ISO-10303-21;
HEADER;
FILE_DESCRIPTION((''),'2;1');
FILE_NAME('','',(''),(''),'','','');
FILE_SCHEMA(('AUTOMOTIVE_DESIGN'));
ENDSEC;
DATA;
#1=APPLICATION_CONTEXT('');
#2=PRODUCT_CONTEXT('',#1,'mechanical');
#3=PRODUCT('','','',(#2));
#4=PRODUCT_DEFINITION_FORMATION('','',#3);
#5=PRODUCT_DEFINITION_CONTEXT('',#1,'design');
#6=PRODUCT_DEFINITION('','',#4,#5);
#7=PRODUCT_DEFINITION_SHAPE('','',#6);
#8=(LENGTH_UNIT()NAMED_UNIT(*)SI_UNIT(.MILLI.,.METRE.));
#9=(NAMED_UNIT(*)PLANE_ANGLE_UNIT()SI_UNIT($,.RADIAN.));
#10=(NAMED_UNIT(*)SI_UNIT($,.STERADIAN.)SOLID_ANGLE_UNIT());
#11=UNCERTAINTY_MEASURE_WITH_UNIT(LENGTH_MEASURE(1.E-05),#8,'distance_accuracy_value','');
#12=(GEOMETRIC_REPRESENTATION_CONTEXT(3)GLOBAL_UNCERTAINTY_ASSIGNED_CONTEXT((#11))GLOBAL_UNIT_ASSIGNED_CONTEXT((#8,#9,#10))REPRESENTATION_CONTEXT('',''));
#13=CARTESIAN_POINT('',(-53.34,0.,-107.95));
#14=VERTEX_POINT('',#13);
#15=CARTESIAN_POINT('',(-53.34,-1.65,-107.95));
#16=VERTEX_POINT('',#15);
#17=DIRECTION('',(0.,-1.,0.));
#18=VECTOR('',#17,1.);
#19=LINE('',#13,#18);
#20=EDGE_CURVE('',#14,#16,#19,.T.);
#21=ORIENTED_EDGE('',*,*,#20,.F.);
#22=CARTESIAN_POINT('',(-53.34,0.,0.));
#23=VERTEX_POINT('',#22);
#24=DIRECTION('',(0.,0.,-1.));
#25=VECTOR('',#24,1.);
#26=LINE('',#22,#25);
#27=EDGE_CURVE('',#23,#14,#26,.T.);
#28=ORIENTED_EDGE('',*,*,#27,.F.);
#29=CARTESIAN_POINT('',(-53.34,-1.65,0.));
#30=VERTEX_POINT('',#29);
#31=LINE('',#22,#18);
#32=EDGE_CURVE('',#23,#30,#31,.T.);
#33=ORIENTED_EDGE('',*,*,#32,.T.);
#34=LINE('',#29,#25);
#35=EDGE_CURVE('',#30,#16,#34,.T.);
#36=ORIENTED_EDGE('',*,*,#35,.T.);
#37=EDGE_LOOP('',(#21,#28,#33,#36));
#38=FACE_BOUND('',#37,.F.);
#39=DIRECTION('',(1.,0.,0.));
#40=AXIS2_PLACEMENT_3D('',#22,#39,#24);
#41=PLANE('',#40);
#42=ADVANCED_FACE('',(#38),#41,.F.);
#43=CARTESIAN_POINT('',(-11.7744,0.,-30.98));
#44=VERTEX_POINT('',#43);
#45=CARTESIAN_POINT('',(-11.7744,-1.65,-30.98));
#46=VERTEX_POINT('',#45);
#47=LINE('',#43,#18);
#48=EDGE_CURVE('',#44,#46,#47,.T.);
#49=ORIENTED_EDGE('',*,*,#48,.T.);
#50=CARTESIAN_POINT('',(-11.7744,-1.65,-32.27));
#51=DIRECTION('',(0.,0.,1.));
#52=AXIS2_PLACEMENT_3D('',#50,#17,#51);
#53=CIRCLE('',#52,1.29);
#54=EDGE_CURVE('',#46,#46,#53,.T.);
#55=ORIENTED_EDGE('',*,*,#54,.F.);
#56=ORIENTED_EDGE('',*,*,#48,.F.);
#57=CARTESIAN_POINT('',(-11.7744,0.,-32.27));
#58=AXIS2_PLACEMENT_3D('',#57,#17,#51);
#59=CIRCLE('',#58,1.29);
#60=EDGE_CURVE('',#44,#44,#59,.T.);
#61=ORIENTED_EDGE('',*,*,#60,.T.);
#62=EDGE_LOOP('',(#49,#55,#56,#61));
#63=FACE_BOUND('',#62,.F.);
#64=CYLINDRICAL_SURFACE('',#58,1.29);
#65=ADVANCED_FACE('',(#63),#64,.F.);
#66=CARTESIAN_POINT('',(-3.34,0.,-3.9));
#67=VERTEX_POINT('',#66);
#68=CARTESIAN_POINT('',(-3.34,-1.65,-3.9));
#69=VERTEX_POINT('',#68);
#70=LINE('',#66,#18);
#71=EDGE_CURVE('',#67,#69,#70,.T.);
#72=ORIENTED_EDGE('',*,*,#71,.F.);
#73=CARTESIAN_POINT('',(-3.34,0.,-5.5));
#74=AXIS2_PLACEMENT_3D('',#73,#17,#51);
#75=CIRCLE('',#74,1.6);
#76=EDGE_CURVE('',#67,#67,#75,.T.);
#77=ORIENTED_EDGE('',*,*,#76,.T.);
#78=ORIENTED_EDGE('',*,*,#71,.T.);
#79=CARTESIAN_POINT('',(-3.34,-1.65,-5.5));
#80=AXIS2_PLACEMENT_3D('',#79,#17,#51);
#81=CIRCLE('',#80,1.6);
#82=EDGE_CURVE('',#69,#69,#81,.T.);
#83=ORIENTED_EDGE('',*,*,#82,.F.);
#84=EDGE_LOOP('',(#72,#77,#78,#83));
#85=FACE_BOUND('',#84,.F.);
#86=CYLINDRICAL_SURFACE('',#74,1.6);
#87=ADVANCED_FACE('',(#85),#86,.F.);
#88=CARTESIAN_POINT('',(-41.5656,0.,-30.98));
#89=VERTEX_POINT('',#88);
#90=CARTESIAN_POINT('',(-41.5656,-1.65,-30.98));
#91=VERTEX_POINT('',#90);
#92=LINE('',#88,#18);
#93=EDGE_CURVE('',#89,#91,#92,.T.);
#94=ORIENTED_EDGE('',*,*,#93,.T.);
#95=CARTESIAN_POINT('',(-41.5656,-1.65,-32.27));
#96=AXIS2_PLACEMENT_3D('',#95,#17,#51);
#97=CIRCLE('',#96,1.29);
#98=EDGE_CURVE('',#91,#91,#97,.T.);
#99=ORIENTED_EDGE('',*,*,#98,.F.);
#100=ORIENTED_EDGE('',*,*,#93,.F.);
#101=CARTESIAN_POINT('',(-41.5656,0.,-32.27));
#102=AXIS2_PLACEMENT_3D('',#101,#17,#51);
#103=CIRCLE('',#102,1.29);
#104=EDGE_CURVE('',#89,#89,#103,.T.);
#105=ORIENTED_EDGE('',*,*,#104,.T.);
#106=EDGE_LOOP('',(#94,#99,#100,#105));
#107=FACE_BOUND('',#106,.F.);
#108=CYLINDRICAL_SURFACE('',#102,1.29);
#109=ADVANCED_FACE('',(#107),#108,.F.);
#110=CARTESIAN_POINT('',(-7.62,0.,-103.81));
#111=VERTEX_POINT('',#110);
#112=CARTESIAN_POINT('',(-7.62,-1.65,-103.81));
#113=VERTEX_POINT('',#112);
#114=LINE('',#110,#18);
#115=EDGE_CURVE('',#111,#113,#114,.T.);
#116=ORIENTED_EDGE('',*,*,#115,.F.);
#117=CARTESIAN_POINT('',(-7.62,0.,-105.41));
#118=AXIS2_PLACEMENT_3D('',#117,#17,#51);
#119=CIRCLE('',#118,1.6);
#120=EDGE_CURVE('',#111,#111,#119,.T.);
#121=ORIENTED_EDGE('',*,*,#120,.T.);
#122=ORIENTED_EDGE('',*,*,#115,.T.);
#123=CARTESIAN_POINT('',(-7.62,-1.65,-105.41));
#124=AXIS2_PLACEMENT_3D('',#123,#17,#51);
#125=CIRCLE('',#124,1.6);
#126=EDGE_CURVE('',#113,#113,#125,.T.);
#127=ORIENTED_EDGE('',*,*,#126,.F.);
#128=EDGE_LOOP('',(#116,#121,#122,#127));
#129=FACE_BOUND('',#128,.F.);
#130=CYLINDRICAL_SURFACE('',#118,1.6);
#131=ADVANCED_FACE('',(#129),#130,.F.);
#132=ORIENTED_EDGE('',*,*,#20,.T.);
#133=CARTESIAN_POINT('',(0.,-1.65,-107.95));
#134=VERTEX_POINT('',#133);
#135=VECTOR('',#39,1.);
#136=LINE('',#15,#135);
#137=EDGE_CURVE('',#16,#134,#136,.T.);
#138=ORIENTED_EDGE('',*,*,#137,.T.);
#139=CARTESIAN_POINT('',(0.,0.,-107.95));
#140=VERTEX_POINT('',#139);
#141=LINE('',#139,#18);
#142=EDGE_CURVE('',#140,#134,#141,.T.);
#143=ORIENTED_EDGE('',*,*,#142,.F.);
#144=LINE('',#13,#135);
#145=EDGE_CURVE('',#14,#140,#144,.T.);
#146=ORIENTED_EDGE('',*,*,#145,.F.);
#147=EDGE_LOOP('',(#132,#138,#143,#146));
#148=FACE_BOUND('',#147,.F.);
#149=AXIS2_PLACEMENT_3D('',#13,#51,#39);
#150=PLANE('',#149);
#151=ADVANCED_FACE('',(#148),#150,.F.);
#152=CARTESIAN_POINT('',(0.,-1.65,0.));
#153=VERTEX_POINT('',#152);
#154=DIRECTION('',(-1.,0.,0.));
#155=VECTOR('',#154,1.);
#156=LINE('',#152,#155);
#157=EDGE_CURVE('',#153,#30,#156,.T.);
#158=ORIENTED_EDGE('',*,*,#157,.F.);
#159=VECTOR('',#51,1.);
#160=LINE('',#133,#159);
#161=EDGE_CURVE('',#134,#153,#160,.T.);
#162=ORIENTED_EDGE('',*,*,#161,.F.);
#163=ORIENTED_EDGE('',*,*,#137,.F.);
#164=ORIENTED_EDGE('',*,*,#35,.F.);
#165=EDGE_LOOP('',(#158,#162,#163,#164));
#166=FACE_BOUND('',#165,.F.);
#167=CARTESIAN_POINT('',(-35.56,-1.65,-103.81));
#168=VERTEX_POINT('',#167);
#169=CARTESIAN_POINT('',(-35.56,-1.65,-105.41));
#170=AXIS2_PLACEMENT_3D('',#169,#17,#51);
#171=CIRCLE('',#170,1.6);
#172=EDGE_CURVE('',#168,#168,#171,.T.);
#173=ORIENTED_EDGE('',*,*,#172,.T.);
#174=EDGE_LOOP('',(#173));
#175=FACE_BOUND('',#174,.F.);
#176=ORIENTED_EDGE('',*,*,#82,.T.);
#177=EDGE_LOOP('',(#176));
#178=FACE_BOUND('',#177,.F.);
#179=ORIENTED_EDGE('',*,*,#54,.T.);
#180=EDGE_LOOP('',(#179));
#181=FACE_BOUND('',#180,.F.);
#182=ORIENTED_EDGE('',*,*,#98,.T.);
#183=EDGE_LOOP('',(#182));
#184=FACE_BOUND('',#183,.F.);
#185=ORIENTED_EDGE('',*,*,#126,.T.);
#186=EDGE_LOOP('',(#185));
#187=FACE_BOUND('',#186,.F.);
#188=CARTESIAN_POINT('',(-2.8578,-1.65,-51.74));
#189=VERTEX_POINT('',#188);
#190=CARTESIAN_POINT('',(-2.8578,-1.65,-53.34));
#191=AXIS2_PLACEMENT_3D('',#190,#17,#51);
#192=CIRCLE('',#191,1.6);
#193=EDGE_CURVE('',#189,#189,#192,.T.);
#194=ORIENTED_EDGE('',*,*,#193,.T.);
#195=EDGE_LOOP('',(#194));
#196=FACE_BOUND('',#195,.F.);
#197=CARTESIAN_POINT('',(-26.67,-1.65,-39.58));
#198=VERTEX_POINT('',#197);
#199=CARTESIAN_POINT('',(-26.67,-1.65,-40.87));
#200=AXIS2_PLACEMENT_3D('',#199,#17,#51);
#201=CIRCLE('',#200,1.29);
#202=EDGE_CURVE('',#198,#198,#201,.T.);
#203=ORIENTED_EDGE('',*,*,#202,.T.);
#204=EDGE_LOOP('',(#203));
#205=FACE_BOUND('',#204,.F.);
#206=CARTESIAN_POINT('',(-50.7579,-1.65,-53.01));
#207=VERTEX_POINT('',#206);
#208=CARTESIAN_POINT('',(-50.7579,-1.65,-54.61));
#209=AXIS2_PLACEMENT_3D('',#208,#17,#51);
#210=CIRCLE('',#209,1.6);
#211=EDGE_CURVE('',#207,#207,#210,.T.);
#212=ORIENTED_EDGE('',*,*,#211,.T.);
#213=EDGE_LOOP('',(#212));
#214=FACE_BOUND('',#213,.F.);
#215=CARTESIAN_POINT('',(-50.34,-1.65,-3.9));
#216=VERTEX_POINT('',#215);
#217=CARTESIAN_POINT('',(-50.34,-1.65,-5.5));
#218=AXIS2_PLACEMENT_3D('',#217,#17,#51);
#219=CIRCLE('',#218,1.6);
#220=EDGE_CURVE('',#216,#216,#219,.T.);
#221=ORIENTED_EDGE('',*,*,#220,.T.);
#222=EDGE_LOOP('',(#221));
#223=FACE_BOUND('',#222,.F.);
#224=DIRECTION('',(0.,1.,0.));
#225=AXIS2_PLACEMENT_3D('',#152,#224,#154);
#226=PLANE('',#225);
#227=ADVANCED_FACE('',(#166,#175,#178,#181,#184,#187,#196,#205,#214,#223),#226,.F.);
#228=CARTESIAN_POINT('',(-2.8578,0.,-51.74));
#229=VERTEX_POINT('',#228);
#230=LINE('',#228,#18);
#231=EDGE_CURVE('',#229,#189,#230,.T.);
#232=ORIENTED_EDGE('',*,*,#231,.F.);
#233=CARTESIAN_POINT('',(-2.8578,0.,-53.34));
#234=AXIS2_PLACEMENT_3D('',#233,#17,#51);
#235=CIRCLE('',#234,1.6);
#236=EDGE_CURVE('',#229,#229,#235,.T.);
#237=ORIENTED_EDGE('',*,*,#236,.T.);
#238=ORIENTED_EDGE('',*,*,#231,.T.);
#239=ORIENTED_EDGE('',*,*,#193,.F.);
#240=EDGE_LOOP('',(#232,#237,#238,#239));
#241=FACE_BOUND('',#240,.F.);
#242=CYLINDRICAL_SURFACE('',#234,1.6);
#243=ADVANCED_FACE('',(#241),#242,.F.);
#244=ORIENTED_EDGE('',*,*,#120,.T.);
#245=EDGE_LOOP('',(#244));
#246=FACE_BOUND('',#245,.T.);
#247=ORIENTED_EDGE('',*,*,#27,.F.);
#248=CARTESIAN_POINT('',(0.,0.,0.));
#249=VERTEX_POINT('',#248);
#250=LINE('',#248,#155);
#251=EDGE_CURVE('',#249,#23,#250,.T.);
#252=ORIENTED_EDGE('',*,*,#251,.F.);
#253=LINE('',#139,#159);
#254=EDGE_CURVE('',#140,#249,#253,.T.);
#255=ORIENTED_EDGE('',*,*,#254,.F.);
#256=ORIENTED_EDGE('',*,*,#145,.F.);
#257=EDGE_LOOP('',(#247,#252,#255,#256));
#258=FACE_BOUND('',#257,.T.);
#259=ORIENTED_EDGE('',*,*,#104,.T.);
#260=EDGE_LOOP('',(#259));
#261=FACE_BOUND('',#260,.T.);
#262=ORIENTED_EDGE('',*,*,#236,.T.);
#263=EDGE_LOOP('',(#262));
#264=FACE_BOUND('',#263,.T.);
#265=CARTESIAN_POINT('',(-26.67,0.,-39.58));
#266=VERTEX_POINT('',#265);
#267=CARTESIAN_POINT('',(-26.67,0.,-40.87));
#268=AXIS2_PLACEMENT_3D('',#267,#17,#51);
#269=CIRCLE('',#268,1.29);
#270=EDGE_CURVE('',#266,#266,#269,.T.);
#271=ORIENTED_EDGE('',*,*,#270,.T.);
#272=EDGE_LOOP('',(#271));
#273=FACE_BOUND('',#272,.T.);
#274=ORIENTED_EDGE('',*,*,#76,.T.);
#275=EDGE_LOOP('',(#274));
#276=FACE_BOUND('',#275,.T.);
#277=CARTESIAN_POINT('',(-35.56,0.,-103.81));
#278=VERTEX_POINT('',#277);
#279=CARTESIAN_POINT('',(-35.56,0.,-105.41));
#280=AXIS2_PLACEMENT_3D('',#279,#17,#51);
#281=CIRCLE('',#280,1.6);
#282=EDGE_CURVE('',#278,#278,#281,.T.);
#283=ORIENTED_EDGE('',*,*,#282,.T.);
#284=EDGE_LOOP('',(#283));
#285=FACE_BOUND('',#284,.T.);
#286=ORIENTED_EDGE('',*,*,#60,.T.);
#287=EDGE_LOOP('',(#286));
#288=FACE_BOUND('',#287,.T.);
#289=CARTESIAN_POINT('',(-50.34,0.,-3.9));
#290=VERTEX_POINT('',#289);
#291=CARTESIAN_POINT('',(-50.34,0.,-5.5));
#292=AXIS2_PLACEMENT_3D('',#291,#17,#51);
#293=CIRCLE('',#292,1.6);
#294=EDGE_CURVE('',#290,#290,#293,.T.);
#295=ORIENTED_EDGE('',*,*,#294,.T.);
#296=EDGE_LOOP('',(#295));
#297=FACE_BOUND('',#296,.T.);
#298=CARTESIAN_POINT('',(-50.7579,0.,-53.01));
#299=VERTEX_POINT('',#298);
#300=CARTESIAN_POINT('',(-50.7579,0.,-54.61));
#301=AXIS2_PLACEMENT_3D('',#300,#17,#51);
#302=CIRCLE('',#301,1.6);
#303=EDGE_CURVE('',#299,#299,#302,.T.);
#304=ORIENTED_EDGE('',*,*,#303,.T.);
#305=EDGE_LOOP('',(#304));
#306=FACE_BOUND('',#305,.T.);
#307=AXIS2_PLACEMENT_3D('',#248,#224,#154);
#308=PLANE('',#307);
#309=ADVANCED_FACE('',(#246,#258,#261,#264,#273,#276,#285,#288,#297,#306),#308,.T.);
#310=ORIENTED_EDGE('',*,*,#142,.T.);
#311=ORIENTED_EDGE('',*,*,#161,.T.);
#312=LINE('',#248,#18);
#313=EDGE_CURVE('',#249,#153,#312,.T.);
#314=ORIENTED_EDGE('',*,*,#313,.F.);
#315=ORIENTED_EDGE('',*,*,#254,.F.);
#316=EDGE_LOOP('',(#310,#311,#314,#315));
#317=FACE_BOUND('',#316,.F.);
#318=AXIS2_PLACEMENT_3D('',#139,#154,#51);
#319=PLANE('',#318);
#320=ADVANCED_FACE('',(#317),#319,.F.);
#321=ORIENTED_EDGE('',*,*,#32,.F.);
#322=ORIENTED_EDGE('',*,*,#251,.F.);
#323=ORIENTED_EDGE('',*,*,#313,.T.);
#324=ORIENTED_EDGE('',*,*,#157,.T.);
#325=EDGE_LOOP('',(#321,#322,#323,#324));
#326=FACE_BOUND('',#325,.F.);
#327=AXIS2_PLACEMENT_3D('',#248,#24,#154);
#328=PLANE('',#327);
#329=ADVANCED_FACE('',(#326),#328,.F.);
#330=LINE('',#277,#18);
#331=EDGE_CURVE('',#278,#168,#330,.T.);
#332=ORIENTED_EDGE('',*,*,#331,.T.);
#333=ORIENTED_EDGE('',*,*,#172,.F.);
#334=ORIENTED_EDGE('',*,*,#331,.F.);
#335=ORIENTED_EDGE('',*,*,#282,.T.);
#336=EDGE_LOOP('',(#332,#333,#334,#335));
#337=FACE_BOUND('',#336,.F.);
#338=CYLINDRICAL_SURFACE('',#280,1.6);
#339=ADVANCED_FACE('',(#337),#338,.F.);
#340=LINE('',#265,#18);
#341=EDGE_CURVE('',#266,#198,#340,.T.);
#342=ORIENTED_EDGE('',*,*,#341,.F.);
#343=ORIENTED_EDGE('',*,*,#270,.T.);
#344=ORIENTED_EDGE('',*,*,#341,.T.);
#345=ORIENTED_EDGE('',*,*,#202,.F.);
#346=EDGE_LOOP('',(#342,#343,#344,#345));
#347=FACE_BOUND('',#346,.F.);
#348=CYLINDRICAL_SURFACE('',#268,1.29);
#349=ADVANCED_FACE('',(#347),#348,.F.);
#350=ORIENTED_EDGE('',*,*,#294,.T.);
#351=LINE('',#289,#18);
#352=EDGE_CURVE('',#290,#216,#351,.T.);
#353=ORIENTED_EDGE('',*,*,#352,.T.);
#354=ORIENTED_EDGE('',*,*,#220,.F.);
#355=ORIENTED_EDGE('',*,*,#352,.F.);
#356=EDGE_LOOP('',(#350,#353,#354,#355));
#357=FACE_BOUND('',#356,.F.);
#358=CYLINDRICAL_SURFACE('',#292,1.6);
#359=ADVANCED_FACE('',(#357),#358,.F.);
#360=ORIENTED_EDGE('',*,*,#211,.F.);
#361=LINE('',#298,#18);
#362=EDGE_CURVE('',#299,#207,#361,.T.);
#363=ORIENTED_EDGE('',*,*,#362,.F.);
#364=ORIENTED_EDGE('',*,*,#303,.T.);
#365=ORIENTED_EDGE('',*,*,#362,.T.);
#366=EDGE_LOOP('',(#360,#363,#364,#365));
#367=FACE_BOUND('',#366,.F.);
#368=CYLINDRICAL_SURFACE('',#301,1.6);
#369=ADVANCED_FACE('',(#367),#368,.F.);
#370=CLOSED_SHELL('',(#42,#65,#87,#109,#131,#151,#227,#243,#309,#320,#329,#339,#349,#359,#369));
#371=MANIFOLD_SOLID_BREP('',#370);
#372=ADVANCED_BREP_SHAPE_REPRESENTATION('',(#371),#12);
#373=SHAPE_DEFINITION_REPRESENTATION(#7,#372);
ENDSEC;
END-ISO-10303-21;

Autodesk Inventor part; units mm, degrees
ref_plane "YZ Plane" through (0, 0, 0) normal (1, 0, 0) x (0, 1, 0)
ref_plane "XZ Plane" through (0, 0, 0) normal (0, 1, 0) x (-1, 0, 0)
ref_plane "XY Plane" through (0, 0, 0) normal (0, 0, 1) x (1, 0, 0)
sketch "Sketch1" plane through (0, 0, 0) normal (0, 1, 0) x (-1, 0, 0)
  line L0 (0, 0) -> (53.34, 0)
  line L1 (53.34, 0) -> (53.34, -107.95)
  line L2 (53.34, -107.95) -> (0, -107.95)
  line L3 (0, -107.95) -> (0, 0)
  point P0 (50.34, -5.5)
  point P1 (3.34, -5.5)
  point P2 (50.7579, -54.61)
  point P3 (2.8578, -53.34)
  point P4 (35.56, -105.41)
  point P5 (7.62, -105.41)
  dimension "d0" = 53.34
  dimension "d1" = 107.95
  dimension "d2" = 3
  dimension "d3" = 5.5
  dimension "d4" = 5.5
  dimension "d5" = 3.34
  dimension "d6" = 53.34
  dimension "d7" = 54.61
  dimension "d8" = 2.54
  dimension "d9" = 2.54
  dimension "d10" = 7.62
  dimension "d11" = 17.78
extrude "Extrusion1" add sketch "Sketch1" against normal blind 1.65
hole "Hole1" at (-50.34, 0, -5.5) at (-3.34, 0, -5.5) at (-50.7579, 0, -54.61) at (-2.8578, 0, -53.34) at (-35.56, 0, -105.41) at (-7.62, 0, -105.41) direction (0, -1, 0) diameter 3.2 end through all
sketch "Sketch2" plane through (0, 0, 0) normal (0, 1, 0) x (1, 0, 0)
  line L0 (-53.34, 0) -> (0, 0) projected
  line L1 (0, 0) -> (0, 107.95) projected
  circle A0 centre (-26.67, 23.67) radius 17.2
  line L2 (-26.67, 23.67) -> (-26.67, 130.1739)
  line L3 (-26.67, 23.67) -> (-67.3773, 47.1724)
  line L4 (-26.67, 23.67) -> (20.3348, 23.67) construction
  line L5 (-26.67, 23.67) -> (24.306, 53.101)
  line L6 (-26.67, 23.67) -> (32.192, 23.67) construction
  point P0 (-26.67, 40.87)
  point P1 (-11.7744, 32.27)
  point P2 (-26.67, 40.87)
  point P3 (-41.5656, 32.27)
  dimension "d21" = 23.67
  dimension "d22" = 26.67
  dimension "d23" = 34.4
  dimension "d24" = 150
  dimension "d25" = 30
hole "Hole2" at (-26.67, 0, -40.87) at (-11.7744, 0, -32.27) at (-41.5656, 0, -32.27) direction (0, -1, 0) diameter 2.58 end through all
properties part number "EChem Sensor Board Lower"
